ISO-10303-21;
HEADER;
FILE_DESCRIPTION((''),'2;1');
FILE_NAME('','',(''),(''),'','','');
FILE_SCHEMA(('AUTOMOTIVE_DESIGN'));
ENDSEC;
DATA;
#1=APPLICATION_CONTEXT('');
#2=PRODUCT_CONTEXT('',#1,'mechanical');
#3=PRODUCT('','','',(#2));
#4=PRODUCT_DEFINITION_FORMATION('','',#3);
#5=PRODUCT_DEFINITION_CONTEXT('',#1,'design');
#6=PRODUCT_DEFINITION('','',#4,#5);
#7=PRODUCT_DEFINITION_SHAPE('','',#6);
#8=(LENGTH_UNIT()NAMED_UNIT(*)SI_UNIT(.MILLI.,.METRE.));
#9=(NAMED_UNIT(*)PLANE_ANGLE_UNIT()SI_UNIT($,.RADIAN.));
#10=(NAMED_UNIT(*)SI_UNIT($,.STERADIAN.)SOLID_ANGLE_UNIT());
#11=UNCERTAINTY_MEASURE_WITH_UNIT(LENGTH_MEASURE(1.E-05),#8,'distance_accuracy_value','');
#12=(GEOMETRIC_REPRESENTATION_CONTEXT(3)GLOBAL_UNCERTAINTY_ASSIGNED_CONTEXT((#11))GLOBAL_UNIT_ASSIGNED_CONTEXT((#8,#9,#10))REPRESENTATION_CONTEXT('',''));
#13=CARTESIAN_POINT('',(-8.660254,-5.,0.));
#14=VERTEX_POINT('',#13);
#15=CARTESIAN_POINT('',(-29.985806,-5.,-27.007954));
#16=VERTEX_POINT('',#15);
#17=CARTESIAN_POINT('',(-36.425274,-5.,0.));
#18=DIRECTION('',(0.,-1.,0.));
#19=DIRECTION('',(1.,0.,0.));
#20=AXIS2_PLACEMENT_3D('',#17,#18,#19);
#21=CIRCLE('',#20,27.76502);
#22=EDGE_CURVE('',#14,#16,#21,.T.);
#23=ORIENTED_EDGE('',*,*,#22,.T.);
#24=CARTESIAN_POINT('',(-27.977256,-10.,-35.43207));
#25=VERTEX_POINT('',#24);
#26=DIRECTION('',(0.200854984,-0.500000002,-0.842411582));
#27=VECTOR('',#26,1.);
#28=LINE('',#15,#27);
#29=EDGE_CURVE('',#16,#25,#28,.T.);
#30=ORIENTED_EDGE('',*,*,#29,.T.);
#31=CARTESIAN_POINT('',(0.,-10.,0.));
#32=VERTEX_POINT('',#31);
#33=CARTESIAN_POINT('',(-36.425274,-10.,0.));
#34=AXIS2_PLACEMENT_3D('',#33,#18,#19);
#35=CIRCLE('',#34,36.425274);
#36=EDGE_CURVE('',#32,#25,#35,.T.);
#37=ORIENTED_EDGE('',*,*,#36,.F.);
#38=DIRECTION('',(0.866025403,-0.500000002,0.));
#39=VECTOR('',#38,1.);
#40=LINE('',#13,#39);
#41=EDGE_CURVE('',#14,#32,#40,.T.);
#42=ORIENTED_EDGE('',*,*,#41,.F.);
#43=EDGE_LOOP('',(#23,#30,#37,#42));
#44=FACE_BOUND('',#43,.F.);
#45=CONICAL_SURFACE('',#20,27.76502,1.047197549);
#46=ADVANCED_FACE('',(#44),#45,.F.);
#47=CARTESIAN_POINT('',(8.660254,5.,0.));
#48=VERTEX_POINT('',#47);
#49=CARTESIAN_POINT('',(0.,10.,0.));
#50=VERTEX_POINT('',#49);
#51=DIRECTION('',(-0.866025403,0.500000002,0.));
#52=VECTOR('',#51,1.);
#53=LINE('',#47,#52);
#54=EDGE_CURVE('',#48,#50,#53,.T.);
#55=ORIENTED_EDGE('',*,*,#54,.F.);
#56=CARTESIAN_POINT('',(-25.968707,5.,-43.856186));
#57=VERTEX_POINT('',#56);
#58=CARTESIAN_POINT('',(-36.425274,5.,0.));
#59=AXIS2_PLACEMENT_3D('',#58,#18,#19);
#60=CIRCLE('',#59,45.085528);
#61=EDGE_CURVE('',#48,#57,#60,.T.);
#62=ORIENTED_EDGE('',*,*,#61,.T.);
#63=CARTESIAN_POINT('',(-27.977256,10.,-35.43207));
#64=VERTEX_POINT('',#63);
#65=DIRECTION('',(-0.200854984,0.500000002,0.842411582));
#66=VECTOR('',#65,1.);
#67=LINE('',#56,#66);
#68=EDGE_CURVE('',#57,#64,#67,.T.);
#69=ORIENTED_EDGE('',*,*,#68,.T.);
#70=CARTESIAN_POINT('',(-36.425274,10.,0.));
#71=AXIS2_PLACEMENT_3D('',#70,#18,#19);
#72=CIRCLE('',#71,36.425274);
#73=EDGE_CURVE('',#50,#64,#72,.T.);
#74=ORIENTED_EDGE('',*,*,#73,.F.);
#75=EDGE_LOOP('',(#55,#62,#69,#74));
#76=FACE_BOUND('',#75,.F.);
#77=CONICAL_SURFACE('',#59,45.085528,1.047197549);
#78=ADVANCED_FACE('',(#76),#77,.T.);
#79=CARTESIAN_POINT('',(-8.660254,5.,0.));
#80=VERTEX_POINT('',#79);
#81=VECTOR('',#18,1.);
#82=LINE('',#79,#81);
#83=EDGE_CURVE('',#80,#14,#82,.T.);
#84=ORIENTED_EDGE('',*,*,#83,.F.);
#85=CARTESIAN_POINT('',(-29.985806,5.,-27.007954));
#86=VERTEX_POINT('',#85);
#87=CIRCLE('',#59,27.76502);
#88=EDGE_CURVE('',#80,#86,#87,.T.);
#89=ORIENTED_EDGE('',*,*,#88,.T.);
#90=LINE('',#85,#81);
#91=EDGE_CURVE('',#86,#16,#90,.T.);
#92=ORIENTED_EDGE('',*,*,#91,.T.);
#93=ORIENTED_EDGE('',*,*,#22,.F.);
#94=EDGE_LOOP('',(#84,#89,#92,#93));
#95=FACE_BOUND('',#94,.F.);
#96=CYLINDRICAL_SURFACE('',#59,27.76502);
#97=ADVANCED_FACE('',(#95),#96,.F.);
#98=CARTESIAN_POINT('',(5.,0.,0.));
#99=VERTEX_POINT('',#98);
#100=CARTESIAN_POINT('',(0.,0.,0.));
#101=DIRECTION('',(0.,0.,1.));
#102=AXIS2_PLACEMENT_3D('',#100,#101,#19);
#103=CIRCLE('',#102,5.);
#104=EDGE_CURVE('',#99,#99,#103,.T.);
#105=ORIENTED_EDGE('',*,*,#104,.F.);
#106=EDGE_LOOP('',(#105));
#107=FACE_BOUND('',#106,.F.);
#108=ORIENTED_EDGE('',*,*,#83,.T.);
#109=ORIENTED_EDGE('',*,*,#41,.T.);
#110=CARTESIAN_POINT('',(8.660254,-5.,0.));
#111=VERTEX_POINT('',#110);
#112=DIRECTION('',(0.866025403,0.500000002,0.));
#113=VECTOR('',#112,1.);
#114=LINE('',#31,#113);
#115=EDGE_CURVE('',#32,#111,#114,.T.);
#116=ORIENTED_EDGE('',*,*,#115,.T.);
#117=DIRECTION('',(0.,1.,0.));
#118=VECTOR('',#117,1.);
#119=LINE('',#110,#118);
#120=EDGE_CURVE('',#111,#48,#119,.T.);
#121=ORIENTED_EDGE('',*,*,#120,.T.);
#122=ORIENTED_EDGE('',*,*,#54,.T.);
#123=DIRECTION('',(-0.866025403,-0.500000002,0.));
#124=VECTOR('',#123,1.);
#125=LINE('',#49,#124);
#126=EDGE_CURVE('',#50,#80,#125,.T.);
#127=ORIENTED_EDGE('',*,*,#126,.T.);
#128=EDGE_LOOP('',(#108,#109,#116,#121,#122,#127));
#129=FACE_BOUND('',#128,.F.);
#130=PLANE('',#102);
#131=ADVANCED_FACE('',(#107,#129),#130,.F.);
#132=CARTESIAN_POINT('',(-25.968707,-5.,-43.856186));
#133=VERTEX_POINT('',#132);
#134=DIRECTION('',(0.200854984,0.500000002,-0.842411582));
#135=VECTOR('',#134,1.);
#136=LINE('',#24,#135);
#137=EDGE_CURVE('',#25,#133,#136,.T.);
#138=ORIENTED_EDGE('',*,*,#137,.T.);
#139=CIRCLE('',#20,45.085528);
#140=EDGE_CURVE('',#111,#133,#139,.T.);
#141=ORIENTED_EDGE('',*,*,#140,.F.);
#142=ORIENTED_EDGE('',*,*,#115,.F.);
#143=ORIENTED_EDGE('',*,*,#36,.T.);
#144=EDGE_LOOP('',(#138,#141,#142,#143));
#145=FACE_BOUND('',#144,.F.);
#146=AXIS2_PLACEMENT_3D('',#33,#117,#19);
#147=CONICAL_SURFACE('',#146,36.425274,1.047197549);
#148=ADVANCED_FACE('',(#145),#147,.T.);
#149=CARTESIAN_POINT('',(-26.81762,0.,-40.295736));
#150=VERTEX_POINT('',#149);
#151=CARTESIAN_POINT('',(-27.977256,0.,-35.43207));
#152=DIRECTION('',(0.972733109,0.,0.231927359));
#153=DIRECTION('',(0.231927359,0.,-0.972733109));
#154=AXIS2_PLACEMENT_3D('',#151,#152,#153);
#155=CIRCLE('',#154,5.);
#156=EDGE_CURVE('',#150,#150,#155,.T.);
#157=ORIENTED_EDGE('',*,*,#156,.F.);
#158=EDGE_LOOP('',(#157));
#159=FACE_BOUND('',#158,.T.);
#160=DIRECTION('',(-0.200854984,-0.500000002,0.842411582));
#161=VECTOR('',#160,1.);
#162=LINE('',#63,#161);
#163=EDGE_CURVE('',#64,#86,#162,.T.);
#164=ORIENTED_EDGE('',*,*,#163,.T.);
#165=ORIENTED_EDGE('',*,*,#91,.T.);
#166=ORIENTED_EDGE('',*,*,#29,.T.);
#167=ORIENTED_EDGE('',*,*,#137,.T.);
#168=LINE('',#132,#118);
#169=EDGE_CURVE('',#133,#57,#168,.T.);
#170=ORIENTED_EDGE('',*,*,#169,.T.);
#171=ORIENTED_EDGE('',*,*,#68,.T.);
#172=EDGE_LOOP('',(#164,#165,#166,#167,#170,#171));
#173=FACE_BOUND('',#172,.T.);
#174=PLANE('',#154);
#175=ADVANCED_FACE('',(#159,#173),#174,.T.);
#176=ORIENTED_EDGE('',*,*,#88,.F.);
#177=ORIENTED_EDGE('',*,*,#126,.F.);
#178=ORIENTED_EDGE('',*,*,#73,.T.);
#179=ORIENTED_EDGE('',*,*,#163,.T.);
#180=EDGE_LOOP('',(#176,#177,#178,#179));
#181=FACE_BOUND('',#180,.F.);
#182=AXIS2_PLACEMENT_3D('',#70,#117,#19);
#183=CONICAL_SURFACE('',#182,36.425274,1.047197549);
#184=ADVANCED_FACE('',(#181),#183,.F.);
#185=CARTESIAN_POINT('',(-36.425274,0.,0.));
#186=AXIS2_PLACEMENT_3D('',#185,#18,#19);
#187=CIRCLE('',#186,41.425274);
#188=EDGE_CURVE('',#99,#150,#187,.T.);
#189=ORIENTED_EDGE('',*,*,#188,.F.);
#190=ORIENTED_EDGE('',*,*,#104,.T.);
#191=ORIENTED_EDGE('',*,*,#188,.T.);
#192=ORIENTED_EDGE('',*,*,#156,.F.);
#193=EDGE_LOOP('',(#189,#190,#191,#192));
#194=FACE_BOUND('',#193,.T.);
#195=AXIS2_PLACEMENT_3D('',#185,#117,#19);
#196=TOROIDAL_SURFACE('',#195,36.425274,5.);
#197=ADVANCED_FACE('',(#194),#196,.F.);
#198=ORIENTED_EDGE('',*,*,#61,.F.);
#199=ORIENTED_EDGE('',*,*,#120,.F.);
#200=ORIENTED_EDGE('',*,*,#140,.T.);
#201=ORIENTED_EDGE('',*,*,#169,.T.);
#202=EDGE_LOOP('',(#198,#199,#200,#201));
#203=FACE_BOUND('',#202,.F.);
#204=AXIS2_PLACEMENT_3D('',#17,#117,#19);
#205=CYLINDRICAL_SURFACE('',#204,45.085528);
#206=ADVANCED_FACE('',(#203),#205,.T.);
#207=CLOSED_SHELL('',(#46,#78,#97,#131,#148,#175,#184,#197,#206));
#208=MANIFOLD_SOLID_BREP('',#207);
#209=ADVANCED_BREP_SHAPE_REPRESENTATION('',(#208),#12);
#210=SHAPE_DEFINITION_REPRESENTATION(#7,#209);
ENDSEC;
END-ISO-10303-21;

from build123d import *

# Parameters (mm, degrees)
F0_R     = 5
F1_ANGLE = 283.41057


with BuildPart() as f1:
    # F0 (on Top) → F1 (revolve)
    with BuildSketch(Plane.XY):
        Polygon((8.660254, -5), (8.660254, 5), (0, 10), (-8.660254, 5), (-8.660254, -5), (0, -10), align=None)
        Circle(F0_R, mode=Mode.SUBTRACT)
    revolve(axis=Axis((-36.425274, -12.058022, 0), (0, -1, 0)), revolution_arc=F1_ANGLE)


solid = f1.part
